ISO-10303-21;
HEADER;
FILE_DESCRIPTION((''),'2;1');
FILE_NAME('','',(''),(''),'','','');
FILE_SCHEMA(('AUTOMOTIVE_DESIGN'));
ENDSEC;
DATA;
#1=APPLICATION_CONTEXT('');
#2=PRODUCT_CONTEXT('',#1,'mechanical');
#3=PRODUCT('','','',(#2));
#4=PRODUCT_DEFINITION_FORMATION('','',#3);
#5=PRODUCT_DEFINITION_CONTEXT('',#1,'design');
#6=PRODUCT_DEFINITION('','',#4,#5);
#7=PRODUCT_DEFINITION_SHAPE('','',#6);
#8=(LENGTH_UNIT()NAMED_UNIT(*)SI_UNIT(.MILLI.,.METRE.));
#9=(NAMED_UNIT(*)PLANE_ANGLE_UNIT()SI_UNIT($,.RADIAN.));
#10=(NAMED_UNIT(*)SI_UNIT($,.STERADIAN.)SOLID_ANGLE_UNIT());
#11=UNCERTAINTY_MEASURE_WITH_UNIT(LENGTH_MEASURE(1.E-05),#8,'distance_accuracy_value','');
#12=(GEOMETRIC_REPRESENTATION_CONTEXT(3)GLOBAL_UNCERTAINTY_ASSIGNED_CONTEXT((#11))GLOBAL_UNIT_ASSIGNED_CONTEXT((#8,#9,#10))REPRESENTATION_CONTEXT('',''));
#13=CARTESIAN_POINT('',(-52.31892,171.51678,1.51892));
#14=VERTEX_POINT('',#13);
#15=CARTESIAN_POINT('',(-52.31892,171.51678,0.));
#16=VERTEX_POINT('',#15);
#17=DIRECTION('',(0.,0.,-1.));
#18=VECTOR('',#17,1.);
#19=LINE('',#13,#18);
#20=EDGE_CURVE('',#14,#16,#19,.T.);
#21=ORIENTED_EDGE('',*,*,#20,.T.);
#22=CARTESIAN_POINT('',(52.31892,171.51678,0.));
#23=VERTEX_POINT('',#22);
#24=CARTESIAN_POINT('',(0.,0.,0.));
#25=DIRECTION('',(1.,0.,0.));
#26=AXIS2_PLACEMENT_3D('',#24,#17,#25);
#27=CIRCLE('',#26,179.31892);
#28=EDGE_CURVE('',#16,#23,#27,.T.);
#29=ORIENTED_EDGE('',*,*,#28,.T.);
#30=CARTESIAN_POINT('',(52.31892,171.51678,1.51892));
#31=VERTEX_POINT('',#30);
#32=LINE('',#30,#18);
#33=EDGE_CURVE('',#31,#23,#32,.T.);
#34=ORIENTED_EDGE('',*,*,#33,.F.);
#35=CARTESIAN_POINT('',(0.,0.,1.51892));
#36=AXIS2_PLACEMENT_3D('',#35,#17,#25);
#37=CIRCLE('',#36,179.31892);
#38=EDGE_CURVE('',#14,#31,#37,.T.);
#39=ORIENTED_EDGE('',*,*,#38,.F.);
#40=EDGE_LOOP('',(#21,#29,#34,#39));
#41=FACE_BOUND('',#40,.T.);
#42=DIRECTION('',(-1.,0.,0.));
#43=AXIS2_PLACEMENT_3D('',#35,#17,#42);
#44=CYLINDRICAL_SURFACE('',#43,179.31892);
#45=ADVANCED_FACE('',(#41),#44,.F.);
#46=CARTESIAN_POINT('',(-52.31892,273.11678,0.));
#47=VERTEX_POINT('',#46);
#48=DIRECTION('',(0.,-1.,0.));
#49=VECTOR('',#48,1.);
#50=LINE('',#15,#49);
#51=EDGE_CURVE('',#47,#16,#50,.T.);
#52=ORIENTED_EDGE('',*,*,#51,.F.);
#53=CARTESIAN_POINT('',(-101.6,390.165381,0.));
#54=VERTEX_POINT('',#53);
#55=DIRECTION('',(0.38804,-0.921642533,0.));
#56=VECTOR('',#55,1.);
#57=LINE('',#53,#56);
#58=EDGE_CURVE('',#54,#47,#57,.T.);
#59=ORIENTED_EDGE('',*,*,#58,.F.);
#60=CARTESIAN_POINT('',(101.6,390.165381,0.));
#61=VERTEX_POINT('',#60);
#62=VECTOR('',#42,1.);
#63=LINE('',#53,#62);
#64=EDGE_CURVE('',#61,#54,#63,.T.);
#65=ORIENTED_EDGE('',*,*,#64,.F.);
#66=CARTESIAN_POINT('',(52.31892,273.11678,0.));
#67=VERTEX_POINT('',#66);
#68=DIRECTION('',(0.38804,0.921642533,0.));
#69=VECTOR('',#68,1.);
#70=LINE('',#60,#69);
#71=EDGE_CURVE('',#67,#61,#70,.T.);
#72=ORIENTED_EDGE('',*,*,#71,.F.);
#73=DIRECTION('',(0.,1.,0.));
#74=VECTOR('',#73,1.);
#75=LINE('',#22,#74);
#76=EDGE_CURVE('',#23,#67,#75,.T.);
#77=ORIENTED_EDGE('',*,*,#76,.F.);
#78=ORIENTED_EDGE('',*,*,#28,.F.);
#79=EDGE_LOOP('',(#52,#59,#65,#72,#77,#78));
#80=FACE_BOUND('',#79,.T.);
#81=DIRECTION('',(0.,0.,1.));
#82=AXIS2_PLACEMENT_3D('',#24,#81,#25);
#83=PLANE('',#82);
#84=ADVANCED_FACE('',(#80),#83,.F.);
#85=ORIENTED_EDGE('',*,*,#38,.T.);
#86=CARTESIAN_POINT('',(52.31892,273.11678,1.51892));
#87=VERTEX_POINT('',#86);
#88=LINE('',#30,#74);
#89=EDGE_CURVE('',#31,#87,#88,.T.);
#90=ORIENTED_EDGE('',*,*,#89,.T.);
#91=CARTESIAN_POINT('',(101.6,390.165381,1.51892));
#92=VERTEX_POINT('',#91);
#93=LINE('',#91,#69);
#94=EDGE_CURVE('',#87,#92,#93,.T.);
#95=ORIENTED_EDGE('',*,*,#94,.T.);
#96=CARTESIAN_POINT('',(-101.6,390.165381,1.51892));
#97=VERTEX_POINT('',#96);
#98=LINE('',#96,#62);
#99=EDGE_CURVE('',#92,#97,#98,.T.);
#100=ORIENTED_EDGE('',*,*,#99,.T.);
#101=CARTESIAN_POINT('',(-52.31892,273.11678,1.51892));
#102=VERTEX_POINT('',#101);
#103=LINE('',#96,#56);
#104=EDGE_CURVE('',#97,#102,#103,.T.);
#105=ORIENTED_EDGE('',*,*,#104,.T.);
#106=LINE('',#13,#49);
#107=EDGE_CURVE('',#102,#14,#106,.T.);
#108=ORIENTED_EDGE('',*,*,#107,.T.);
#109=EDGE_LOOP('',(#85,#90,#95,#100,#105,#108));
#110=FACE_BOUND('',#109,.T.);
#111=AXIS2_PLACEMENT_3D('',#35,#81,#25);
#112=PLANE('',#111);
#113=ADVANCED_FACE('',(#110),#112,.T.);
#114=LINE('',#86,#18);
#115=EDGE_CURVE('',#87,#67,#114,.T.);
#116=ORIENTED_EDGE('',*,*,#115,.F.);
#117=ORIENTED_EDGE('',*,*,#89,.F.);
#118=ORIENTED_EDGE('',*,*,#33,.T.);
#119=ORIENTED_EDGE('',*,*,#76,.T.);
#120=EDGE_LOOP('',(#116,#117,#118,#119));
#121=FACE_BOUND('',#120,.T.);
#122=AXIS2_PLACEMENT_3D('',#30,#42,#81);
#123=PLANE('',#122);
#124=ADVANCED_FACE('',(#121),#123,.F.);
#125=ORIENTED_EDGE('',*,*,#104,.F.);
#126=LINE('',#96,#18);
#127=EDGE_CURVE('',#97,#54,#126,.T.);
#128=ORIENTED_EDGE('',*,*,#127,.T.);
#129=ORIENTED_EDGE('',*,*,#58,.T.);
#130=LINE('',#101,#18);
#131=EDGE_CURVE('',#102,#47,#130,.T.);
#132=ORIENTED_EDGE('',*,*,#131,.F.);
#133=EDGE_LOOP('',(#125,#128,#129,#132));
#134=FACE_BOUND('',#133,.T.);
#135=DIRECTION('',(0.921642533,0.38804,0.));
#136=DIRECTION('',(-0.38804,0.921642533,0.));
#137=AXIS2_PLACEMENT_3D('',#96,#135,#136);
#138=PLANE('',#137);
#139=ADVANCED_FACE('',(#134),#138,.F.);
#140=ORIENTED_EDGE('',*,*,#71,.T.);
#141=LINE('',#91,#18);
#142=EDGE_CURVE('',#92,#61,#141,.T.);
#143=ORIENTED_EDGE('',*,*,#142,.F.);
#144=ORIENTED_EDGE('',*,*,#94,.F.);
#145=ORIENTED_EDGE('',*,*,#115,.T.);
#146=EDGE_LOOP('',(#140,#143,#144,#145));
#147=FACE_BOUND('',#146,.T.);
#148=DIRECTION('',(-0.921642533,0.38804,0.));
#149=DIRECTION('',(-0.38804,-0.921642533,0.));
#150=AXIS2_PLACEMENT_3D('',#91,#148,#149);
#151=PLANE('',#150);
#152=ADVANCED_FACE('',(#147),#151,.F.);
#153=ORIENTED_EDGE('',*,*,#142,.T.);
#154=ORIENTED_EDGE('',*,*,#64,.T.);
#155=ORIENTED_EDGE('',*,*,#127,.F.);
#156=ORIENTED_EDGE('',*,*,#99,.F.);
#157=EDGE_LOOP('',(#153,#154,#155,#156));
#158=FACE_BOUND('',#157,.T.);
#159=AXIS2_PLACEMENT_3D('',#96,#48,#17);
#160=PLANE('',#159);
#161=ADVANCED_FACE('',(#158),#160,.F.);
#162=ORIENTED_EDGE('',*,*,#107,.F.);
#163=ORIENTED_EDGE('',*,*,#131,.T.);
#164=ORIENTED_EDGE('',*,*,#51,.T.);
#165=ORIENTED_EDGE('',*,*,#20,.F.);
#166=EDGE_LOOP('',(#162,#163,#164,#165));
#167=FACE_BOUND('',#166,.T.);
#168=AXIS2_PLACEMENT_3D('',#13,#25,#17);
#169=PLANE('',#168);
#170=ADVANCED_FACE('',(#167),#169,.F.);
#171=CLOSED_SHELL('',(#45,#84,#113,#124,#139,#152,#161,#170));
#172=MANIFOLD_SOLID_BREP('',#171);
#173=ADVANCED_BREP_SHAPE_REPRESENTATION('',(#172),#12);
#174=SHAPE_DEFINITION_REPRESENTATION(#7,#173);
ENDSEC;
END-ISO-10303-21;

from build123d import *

# Parameters (mm, degrees)
BOSS_EXTRUDE1_DEPTH = 1.51892


with BuildPart() as part:
    # Sketch1 → Boss-Extrude1 (new body)
    with BuildSketch(Plane.XY):
        with BuildLine():
            Line((-52.31892, 171.516779587), (-52.31892, 273.116779587))
            Line((-52.31892, 273.116779587), (-101.6, 390.165381262))
            Line((-101.6, 390.165381262), (101.6, 390.165381262))
            Line((101.6, 390.165381262), (52.31892, 273.116779587))
            Line((52.31892, 273.116779587), (52.31892, 171.516779587))
            ThreePointArc((52.31892, 171.516779587), (0, 179.31892), (-52.31892, 171.516779587))
        make_face()
    extrude(amount=BOSS_EXTRUDE1_DEPTH)


solid = part.part
